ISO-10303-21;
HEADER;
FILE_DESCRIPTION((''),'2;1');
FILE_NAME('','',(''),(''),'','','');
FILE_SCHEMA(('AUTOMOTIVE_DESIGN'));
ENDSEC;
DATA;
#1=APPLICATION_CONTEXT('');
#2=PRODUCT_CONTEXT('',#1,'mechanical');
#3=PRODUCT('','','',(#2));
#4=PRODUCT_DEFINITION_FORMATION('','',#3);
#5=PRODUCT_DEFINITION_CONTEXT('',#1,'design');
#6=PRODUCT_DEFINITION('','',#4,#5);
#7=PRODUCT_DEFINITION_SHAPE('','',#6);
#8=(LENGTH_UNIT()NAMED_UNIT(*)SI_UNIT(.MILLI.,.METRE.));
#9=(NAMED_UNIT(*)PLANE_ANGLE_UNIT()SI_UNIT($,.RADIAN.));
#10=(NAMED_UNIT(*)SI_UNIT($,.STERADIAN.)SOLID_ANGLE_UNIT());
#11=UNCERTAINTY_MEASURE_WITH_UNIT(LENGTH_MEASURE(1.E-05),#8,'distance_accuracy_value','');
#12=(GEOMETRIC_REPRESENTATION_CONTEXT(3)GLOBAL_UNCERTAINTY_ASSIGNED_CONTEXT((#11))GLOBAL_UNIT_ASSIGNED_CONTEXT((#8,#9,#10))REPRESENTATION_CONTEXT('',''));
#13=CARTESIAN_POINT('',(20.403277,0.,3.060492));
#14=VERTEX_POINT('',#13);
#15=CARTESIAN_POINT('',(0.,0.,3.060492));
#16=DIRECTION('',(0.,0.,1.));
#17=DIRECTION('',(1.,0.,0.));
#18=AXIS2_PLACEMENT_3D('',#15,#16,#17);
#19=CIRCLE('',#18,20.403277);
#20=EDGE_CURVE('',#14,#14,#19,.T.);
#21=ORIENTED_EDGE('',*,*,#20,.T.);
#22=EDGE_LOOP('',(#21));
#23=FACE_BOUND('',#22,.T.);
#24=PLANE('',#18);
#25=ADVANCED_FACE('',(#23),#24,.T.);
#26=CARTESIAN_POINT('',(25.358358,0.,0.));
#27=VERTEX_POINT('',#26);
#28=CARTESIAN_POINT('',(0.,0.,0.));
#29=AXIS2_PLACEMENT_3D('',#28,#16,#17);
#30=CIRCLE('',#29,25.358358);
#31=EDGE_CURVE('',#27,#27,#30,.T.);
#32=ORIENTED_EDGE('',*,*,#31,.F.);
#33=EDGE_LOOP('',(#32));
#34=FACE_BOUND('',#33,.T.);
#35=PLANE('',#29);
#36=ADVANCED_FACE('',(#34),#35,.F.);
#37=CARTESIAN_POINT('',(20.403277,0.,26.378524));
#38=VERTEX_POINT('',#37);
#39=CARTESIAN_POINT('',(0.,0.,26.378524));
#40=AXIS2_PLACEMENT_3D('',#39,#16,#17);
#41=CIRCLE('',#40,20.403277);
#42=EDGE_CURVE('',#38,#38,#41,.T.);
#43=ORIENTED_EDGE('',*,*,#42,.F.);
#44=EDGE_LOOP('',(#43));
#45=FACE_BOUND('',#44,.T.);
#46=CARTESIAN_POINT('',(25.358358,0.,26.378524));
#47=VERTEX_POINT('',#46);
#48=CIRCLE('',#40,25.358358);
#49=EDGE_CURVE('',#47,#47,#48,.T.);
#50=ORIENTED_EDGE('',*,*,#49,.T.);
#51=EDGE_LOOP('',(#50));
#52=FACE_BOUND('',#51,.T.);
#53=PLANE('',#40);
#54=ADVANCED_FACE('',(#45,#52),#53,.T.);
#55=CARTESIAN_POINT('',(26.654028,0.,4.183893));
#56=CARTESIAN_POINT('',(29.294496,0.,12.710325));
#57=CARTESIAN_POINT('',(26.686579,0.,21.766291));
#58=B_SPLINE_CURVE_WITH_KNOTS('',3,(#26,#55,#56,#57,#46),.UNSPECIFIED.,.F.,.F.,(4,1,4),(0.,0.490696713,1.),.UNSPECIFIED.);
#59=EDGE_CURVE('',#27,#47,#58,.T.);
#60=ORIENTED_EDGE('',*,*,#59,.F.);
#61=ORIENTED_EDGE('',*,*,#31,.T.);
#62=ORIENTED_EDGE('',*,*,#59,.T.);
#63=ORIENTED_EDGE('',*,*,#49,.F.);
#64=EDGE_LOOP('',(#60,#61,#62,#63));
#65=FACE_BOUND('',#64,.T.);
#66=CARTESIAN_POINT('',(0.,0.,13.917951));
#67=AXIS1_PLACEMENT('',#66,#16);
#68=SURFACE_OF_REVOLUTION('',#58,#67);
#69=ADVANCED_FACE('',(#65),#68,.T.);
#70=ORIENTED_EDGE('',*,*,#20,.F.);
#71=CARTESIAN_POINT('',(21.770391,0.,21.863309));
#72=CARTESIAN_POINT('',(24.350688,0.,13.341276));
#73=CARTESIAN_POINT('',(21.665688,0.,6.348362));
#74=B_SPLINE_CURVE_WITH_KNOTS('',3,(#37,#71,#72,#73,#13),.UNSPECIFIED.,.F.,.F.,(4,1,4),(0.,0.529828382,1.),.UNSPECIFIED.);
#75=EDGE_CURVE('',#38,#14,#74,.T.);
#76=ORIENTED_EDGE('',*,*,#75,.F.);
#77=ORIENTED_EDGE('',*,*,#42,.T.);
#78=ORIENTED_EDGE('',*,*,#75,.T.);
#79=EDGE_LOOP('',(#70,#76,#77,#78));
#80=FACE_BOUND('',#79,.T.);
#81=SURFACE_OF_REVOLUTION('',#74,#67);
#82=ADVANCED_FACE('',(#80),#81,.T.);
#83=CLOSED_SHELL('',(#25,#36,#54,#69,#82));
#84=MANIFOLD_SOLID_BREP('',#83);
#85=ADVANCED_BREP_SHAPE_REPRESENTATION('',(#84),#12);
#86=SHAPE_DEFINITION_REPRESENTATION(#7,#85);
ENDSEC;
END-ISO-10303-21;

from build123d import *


with BuildPart() as f1:
    # F0 (on Front) → F1 (revolve)
    with BuildSketch(Plane.XZ):
        with BuildLine():
            Line((0, 3.0604917556), (0, 0))
            Line((0, 0), (25.3583583981, 0))
            add(Edge.make_bspline(
                [(25.3583583981, 0), (26.6540276059, 4.183892509), (29.294496095, 12.7103252317), (26.6865790976, 21.7662906183), (25.3583583981, 26.3785235584)],
                knots=[0, 0, 0, 0, 0.4906967128, 1, 1, 1, 1], degree=3))
            Line((25.3583583981, 26.3785235584), (20.4032771289, 26.3785235584))
            add(Edge.make_bspline(
                [(20.4032771289, 26.3785235584), (21.7703913438, 21.8633087368), (24.3506876456, 13.3412759916), (21.6656878343, 6.3483616197), (20.4032771289, 3.0604917556)],
                knots=[0, 0, 0, 0, 0.5298283821, 1, 1, 1, 1], degree=3))
            Line((20.4032771289, 3.0604917556), (0, 3.0604917556))
        make_face()
    revolve(axis=Axis((0, 0, 13.9179509133), (0, 0, 1)))


solid = f1.part
